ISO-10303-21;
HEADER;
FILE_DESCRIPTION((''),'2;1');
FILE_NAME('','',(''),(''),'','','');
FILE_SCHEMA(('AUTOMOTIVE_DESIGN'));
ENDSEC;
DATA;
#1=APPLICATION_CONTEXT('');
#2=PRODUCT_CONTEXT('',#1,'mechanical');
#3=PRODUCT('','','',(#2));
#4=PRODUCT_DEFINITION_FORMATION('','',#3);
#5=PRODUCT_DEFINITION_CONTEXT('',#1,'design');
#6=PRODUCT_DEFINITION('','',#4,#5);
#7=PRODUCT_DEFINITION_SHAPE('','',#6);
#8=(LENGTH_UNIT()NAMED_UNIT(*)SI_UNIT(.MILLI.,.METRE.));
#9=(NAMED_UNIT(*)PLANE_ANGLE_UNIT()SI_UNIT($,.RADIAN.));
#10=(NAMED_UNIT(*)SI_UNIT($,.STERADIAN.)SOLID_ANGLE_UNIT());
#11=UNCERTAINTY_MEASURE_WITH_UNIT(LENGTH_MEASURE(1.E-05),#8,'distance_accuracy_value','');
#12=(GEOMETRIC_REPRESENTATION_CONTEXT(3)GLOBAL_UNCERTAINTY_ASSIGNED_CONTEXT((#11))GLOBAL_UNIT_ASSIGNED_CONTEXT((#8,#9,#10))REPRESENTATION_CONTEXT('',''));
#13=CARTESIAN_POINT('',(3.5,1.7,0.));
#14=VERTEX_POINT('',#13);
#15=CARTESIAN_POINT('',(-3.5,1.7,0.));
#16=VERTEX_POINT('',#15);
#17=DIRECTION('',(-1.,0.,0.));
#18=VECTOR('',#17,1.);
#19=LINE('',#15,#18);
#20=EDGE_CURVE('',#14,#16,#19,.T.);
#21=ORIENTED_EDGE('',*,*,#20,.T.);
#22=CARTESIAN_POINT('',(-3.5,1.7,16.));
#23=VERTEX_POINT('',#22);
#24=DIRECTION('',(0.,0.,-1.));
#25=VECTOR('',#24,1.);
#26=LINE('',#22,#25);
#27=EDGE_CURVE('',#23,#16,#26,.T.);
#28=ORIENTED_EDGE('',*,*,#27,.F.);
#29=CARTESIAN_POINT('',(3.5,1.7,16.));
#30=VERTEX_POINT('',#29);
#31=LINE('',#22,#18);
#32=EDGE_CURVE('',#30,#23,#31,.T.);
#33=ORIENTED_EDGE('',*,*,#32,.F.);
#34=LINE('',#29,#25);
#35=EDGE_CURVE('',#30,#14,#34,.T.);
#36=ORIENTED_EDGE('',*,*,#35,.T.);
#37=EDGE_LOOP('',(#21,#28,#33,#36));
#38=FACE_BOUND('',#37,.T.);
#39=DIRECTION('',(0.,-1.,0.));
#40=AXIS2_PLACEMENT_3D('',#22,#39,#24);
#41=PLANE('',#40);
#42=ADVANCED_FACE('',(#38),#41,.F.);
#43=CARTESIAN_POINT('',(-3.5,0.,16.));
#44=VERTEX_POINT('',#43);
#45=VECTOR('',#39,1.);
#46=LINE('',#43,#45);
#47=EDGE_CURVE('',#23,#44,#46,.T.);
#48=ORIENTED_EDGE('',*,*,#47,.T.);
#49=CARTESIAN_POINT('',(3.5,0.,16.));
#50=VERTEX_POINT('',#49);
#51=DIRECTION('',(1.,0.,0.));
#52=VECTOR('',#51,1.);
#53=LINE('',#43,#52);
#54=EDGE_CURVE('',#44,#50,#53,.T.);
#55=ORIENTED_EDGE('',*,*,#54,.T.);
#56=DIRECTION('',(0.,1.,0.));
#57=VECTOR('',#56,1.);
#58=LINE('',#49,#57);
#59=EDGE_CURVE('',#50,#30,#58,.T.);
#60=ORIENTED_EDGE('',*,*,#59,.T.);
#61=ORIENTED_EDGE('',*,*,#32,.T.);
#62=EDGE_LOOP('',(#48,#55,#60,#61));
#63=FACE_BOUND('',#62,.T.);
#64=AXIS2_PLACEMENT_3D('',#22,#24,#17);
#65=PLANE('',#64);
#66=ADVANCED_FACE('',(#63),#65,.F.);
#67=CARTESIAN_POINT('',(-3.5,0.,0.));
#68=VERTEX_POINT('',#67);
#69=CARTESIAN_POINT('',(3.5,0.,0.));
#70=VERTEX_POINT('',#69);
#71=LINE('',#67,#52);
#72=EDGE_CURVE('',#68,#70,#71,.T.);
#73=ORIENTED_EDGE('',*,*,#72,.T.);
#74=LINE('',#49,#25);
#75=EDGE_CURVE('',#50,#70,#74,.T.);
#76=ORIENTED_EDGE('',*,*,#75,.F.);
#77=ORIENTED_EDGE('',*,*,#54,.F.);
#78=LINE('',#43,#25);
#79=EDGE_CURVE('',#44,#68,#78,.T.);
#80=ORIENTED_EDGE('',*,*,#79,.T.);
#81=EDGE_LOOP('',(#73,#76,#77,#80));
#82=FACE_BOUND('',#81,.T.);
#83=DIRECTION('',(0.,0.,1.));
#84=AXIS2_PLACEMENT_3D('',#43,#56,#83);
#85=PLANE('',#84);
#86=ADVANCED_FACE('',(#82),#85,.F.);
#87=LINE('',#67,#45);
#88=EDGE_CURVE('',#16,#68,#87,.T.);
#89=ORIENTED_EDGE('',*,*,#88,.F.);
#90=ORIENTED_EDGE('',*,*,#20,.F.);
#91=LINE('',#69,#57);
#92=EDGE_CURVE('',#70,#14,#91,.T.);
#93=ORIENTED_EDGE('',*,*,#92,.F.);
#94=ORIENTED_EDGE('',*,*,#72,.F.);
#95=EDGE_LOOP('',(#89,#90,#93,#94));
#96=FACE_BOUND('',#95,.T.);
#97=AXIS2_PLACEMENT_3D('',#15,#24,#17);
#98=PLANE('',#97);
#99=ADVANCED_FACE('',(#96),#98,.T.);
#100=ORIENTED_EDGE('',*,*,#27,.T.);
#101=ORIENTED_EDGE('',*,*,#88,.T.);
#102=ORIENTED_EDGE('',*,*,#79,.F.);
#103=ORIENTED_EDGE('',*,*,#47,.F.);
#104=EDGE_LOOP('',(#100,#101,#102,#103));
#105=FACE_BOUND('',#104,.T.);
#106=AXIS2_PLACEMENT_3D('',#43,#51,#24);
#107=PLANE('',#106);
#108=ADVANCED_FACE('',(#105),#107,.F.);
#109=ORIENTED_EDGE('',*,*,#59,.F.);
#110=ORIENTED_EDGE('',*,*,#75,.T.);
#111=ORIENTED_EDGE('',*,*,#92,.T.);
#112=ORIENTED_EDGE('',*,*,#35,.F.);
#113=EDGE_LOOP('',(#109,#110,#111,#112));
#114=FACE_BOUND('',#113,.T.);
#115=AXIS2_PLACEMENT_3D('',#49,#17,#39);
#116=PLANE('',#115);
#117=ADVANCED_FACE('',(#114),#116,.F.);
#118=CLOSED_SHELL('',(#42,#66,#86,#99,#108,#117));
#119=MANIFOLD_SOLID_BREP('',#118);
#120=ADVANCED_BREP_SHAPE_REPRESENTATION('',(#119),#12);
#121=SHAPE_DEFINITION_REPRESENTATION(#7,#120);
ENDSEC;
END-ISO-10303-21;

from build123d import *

# Parameters (mm, degrees)
ESQUISSE1_W      = 7
ESQUISSE1_H      = 1.7
EXTRUSION1_DEPTH = 16


with BuildPart() as part:
    # Esquisse1 → Extrusion1 (new body)
    with BuildSketch(Plane.XY):
        with Locations((0, 0.85)):
            Rectangle(ESQUISSE1_W, ESQUISSE1_H)
    extrude(amount=EXTRUSION1_DEPTH)


solid = part.part
